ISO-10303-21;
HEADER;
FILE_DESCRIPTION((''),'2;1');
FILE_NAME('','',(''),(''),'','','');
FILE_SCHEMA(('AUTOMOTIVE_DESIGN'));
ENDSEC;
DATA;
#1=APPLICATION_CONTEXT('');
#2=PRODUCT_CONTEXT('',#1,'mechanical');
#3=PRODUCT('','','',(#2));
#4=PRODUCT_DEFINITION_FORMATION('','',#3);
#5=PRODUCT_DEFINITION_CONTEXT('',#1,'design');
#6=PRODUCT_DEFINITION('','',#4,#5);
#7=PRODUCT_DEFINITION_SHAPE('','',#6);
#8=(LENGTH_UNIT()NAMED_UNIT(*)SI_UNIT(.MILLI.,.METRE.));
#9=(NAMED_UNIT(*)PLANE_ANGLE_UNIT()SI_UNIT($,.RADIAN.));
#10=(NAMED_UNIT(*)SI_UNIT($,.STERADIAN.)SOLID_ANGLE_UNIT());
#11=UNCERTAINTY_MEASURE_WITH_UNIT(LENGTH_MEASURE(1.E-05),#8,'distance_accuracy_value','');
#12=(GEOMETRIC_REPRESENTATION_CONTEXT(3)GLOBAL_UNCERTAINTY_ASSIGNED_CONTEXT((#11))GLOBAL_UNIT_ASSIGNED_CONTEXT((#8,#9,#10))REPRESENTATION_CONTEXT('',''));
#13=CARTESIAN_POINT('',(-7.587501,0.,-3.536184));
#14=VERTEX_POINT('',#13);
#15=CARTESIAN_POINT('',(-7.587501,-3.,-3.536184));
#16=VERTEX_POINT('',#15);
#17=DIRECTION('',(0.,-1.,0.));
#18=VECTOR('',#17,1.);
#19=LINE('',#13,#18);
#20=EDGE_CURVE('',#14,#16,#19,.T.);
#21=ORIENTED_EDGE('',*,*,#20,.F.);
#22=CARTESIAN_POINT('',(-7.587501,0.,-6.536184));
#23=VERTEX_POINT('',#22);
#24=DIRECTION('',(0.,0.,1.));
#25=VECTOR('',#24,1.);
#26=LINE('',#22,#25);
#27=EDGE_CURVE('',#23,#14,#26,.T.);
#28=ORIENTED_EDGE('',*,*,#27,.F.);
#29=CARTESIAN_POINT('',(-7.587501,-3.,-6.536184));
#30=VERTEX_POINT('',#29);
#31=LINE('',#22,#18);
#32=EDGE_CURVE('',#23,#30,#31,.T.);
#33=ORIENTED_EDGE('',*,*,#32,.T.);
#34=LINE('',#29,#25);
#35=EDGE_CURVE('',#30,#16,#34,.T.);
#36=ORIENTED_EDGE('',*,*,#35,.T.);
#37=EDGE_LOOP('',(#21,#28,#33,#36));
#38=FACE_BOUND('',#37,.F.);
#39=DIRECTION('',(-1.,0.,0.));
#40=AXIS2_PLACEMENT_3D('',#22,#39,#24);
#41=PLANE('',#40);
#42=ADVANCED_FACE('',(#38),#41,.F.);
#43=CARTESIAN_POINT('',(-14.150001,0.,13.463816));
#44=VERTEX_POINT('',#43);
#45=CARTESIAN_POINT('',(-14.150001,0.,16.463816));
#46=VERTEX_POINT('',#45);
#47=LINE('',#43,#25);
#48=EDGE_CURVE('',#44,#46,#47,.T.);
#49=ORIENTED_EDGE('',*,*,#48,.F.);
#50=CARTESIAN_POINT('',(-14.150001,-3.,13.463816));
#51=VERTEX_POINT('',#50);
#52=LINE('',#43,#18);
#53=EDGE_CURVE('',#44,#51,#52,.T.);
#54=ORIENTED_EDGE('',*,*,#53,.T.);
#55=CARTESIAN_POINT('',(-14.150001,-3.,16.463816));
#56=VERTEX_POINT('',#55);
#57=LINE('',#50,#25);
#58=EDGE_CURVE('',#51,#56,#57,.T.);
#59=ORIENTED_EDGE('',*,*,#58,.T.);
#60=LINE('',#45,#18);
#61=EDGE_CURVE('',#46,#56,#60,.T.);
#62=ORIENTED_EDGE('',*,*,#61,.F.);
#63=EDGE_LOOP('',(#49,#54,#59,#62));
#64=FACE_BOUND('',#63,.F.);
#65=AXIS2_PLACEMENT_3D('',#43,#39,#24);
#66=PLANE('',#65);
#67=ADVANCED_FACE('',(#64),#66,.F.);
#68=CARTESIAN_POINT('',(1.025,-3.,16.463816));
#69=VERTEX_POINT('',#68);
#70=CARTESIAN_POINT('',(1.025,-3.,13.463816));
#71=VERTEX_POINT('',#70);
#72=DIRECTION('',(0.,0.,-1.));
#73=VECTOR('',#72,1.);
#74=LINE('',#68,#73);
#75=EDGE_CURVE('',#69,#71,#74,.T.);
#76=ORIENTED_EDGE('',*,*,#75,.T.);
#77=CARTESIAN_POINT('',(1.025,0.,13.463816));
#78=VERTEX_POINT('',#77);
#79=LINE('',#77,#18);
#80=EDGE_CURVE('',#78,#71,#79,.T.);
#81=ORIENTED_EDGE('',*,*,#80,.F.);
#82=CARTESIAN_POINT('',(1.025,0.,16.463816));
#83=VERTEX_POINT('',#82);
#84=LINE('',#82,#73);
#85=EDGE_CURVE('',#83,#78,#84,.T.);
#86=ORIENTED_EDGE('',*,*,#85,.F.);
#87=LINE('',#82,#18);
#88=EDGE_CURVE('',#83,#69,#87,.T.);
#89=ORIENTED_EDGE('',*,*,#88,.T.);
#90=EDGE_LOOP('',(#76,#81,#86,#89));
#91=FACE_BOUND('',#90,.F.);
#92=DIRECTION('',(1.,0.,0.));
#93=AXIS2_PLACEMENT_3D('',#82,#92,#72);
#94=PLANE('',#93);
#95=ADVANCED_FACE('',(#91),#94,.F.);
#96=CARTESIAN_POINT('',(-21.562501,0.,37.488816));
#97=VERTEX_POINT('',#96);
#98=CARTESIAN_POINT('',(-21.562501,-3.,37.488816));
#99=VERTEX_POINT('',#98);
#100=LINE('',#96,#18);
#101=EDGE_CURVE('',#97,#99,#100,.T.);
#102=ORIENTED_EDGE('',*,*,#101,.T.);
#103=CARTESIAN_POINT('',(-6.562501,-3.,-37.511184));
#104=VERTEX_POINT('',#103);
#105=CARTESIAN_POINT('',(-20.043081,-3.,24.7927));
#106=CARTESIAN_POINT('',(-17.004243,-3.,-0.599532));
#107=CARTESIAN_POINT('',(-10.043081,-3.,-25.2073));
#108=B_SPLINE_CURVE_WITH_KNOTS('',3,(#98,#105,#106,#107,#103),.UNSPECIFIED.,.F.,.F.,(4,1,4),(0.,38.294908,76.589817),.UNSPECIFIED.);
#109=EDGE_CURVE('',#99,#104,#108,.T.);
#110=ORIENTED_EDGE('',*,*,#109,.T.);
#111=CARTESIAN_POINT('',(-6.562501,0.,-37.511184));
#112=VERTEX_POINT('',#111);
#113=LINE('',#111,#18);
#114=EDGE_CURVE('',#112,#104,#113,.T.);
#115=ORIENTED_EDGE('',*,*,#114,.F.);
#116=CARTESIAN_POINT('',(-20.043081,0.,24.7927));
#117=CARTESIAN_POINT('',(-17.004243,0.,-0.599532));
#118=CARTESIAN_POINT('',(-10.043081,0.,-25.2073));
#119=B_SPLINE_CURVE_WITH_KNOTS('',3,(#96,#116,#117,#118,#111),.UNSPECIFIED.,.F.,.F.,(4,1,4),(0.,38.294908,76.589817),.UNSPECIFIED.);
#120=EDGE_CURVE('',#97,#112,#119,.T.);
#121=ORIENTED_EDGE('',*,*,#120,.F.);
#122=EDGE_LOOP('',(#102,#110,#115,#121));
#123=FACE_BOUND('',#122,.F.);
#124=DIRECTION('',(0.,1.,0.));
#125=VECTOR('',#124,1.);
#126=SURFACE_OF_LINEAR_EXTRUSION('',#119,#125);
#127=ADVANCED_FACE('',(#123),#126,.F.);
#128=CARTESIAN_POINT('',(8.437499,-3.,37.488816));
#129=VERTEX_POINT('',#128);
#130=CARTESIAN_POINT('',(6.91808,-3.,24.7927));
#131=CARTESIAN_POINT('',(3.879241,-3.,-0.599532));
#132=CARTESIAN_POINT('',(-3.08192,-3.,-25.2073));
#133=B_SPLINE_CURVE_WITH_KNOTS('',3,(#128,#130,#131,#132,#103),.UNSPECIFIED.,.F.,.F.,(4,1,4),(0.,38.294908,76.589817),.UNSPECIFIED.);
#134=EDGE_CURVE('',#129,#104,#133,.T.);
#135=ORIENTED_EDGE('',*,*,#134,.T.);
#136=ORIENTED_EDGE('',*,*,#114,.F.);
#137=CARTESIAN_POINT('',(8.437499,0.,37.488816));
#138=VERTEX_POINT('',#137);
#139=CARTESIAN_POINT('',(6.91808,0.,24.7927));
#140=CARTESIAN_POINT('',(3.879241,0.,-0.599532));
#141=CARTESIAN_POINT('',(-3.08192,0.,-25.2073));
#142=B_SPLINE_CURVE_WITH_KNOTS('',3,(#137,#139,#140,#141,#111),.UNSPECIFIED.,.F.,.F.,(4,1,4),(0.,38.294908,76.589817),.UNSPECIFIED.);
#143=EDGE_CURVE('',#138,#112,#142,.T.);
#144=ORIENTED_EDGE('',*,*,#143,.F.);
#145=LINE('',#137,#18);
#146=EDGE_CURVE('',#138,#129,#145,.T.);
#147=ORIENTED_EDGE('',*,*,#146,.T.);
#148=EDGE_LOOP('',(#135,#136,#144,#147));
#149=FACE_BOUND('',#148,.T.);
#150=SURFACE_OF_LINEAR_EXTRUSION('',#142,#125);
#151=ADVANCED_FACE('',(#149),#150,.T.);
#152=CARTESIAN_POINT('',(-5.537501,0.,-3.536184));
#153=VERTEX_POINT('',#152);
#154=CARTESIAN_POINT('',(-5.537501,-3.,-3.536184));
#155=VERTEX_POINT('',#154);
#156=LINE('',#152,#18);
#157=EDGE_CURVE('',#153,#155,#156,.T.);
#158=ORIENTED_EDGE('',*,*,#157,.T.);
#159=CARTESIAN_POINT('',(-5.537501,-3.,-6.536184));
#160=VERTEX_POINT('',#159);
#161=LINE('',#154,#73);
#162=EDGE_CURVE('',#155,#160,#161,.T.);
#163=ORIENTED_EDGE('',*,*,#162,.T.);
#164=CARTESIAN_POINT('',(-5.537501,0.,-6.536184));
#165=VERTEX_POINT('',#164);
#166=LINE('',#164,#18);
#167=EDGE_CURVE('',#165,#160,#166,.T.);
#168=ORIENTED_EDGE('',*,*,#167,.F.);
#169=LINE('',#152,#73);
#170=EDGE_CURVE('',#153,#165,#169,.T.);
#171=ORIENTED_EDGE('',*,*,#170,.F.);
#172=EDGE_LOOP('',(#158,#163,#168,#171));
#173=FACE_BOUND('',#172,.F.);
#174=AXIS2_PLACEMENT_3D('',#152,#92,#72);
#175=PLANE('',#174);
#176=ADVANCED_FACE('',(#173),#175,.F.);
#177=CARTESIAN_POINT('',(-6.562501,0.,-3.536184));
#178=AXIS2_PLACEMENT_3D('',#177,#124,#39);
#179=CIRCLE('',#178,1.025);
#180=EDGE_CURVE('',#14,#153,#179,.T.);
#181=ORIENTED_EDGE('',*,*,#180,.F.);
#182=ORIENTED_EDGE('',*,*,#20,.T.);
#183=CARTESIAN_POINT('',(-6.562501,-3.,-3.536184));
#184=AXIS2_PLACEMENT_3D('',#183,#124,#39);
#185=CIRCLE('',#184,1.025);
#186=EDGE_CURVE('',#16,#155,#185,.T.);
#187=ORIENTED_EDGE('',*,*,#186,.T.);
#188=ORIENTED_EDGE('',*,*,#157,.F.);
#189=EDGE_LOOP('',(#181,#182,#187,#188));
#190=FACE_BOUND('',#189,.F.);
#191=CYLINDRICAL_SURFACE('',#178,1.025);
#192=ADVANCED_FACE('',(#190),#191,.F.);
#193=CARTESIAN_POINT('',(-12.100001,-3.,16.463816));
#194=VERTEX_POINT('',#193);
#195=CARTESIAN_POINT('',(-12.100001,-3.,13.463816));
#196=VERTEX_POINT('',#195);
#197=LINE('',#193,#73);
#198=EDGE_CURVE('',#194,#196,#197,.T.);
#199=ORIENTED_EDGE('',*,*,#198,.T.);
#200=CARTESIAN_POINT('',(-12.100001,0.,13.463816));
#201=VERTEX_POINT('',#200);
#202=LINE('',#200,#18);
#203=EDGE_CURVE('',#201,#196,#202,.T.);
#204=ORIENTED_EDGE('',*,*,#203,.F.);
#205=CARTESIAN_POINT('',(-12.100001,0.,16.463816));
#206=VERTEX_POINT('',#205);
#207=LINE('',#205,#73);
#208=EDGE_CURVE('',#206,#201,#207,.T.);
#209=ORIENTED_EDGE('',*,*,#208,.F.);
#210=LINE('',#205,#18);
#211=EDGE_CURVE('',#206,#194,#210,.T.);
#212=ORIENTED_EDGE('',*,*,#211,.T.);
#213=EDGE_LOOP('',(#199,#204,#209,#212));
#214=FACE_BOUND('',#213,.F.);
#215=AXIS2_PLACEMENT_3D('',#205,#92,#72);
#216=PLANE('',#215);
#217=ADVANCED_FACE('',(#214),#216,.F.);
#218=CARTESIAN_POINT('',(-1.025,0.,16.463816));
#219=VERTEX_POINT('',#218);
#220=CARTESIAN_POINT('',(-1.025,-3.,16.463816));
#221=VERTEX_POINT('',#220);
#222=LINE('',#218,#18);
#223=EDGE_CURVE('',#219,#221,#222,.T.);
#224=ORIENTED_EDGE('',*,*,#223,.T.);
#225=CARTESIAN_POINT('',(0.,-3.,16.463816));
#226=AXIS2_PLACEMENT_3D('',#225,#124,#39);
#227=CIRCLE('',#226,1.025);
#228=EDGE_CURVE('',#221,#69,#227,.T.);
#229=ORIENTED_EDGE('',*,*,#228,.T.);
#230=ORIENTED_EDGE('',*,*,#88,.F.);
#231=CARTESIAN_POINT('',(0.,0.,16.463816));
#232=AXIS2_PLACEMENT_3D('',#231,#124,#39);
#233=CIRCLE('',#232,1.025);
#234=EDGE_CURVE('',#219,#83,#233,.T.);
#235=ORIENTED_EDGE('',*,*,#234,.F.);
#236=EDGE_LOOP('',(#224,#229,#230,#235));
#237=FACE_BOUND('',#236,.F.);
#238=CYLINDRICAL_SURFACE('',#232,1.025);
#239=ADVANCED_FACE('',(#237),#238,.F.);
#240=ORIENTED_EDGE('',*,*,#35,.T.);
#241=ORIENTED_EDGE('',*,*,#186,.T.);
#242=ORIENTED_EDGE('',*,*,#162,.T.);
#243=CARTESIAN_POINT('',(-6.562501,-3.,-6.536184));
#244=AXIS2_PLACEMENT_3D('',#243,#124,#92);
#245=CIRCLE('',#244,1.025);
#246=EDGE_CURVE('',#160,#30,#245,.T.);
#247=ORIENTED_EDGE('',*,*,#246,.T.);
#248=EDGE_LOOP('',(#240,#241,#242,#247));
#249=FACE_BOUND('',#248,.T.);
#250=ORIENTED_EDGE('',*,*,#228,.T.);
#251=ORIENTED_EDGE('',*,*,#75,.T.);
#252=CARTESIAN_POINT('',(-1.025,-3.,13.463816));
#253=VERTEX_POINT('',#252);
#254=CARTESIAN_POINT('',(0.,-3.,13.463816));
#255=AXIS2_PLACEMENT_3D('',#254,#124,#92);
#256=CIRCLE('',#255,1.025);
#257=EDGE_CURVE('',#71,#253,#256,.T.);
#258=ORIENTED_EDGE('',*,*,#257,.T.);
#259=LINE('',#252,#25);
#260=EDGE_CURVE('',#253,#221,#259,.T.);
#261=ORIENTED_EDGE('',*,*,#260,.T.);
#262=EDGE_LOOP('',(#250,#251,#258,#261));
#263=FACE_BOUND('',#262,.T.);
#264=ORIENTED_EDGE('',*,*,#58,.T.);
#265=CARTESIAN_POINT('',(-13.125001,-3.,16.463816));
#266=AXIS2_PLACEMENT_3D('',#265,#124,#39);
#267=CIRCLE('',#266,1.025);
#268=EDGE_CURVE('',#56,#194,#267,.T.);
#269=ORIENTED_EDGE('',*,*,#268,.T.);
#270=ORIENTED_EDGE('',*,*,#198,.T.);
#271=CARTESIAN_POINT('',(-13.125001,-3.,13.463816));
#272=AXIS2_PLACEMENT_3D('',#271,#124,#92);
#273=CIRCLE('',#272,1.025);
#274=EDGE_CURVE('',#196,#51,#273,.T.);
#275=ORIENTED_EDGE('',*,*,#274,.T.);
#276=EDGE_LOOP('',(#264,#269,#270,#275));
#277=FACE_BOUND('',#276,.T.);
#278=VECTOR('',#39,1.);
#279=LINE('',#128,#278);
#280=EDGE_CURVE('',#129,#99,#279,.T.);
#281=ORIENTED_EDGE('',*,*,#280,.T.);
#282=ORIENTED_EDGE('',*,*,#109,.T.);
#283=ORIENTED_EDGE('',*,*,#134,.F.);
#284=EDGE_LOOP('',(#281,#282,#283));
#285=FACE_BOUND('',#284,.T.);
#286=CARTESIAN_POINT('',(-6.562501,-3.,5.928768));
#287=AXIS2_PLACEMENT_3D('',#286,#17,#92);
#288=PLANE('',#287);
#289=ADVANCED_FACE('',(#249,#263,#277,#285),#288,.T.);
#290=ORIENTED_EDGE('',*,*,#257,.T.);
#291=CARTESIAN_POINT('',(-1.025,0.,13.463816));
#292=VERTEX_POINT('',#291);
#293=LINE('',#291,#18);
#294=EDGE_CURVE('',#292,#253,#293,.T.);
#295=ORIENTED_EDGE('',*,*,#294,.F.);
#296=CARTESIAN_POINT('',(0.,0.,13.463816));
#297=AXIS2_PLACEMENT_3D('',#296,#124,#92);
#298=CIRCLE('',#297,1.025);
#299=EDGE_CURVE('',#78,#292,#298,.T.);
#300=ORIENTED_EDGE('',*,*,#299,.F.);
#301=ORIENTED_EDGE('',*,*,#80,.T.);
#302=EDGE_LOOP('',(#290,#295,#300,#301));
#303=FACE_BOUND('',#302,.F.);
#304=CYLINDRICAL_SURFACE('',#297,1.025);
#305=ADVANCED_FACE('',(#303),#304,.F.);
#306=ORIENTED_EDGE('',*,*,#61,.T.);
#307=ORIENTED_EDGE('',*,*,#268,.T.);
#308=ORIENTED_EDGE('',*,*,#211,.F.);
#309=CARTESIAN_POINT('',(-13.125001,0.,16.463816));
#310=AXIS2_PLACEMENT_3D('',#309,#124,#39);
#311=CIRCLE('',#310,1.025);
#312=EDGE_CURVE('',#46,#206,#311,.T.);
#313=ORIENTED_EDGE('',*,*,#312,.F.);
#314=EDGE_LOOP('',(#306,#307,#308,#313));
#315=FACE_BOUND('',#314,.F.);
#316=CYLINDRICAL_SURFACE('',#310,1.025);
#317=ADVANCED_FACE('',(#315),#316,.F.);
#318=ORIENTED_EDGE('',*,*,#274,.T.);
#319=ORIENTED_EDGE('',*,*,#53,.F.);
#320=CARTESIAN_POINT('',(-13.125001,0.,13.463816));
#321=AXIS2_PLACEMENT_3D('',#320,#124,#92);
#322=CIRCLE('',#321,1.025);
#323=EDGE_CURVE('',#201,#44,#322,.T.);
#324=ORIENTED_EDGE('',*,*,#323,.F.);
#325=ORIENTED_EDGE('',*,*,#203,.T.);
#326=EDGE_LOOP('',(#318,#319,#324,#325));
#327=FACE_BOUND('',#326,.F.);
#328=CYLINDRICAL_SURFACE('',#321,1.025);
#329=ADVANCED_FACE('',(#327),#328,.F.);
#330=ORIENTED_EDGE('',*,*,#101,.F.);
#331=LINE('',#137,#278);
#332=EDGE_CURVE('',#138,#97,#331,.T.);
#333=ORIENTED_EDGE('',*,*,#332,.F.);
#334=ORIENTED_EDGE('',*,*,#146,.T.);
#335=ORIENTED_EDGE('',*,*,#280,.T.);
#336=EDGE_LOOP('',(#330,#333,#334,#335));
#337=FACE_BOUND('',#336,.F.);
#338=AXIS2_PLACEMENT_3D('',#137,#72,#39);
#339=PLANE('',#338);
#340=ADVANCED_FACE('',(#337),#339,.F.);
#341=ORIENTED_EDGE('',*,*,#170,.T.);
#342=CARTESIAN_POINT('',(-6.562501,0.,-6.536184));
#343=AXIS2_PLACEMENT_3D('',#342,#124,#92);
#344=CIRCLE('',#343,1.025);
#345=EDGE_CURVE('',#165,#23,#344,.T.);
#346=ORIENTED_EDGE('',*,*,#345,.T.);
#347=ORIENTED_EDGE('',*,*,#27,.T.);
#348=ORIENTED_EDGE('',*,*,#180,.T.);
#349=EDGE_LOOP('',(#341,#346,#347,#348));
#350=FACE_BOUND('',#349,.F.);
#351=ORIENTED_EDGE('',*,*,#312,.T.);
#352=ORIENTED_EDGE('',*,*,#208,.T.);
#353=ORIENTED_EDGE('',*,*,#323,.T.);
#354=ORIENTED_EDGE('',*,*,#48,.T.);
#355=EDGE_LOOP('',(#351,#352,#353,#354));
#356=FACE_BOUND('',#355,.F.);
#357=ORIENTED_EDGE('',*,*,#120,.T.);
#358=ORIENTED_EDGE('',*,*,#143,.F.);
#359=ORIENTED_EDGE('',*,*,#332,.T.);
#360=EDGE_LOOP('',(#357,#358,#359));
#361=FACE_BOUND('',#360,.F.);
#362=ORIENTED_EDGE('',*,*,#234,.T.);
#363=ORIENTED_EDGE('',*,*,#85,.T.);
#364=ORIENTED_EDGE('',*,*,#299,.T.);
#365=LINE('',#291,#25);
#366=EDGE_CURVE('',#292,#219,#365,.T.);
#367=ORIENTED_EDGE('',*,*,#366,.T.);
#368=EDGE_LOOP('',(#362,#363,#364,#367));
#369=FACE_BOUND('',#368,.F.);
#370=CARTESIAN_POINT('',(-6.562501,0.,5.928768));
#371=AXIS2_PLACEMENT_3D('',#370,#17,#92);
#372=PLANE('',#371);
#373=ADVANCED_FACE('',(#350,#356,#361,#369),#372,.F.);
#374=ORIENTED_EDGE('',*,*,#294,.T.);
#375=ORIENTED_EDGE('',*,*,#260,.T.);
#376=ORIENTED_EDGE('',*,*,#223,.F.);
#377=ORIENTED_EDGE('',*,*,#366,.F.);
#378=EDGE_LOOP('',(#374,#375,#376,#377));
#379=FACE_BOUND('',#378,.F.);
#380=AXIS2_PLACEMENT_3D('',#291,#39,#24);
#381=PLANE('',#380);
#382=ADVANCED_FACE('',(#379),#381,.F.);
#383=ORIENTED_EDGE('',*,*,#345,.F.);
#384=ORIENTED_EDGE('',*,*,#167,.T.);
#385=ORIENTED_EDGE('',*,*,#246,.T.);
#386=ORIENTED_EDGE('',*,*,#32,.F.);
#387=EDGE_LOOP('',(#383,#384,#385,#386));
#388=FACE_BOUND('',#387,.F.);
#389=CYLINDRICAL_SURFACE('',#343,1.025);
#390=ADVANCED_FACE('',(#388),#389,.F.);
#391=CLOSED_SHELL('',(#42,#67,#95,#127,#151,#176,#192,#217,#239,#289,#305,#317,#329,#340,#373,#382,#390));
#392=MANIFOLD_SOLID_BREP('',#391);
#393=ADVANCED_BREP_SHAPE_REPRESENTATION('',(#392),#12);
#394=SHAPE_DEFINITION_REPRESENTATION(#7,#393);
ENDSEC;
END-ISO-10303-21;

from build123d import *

# Parameters (mm, degrees)
F1_DEPTH = 3
F3_DEPTH = 3


with BuildPart() as f1:
    # F0 (on Front) → F1 (new body)
    with BuildSketch(Plane.XZ):
        with BuildLine():
            Line((-6.562501, 37.488816), (-21.562501, 37.488816))
            add(Edge.make_bspline(
                [(-21.562501, 37.488816), (-20.043081, 24.7927), (-17.004243, -0.599532), (-10.043081, -25.2073), (-6.562501, -37.511184)],
                knots=[0, 0, 0, 0, 38.294908, 76.589817, 76.589817, 76.589817, 76.589817], degree=3))
            add(Edge.make_bspline(
                [(8.437499, 37.488816), (6.91808, 24.7927), (3.879241, -0.599532), (-3.08192, -25.2073), (-6.562501, -37.511184)],
                knots=[0, 0, 0, 0, 38.294908, 76.589817, 76.589817, 76.589817, 76.589817], degree=3))
            Line((8.437499, 37.488816), (-6.562501, 37.488816))
        make_face()
    extrude(amount=F1_DEPTH)

    # F2 (on face) → F3 (cut, through all)
    with BuildSketch(Plane(origin=(0, 0, 0), x_dir=(-1, 0, 0), z_dir=(0, 1, 0))):
        with BuildLine():
            Line((1.025, 13.463816), (1.025, 16.463816))
            ThreePointArc((1.025, 16.463816), (0, 17.488816), (-1.025, 16.463816))
            Line((-1.025, 16.463816), (-1.025, 13.463816))
            ThreePointArc((-1.025, 13.463816), (0, 12.438816), (1.025, 13.463816))
        make_face()
        with BuildLine():
            ThreePointArc((14.150001, 16.463816), (13.125001, 17.488816), (12.100001, 16.463816))
            Line((12.100001, 16.463816), (12.100001, 13.463816))
            ThreePointArc((12.100001, 13.463816), (13.125001, 12.438816), (14.150001, 13.463816))
            Line((14.150001, 13.463816), (14.150001, 16.463816))
        make_face()
        with BuildLine():
            ThreePointArc((7.587501, -3.536184), (6.562501, -2.511184), (5.537501, -3.536184))
            Line((5.537501, -3.536184), (5.537501, -6.536184))
            ThreePointArc((5.537501, -6.536184), (6.562501, -7.561184), (7.587501, -6.536184))
            Line((7.587501, -6.536184), (7.587501, -3.536184))
        make_face()
    extrude(amount=-F3_DEPTH, mode=Mode.SUBTRACT)


solid = f1.part
